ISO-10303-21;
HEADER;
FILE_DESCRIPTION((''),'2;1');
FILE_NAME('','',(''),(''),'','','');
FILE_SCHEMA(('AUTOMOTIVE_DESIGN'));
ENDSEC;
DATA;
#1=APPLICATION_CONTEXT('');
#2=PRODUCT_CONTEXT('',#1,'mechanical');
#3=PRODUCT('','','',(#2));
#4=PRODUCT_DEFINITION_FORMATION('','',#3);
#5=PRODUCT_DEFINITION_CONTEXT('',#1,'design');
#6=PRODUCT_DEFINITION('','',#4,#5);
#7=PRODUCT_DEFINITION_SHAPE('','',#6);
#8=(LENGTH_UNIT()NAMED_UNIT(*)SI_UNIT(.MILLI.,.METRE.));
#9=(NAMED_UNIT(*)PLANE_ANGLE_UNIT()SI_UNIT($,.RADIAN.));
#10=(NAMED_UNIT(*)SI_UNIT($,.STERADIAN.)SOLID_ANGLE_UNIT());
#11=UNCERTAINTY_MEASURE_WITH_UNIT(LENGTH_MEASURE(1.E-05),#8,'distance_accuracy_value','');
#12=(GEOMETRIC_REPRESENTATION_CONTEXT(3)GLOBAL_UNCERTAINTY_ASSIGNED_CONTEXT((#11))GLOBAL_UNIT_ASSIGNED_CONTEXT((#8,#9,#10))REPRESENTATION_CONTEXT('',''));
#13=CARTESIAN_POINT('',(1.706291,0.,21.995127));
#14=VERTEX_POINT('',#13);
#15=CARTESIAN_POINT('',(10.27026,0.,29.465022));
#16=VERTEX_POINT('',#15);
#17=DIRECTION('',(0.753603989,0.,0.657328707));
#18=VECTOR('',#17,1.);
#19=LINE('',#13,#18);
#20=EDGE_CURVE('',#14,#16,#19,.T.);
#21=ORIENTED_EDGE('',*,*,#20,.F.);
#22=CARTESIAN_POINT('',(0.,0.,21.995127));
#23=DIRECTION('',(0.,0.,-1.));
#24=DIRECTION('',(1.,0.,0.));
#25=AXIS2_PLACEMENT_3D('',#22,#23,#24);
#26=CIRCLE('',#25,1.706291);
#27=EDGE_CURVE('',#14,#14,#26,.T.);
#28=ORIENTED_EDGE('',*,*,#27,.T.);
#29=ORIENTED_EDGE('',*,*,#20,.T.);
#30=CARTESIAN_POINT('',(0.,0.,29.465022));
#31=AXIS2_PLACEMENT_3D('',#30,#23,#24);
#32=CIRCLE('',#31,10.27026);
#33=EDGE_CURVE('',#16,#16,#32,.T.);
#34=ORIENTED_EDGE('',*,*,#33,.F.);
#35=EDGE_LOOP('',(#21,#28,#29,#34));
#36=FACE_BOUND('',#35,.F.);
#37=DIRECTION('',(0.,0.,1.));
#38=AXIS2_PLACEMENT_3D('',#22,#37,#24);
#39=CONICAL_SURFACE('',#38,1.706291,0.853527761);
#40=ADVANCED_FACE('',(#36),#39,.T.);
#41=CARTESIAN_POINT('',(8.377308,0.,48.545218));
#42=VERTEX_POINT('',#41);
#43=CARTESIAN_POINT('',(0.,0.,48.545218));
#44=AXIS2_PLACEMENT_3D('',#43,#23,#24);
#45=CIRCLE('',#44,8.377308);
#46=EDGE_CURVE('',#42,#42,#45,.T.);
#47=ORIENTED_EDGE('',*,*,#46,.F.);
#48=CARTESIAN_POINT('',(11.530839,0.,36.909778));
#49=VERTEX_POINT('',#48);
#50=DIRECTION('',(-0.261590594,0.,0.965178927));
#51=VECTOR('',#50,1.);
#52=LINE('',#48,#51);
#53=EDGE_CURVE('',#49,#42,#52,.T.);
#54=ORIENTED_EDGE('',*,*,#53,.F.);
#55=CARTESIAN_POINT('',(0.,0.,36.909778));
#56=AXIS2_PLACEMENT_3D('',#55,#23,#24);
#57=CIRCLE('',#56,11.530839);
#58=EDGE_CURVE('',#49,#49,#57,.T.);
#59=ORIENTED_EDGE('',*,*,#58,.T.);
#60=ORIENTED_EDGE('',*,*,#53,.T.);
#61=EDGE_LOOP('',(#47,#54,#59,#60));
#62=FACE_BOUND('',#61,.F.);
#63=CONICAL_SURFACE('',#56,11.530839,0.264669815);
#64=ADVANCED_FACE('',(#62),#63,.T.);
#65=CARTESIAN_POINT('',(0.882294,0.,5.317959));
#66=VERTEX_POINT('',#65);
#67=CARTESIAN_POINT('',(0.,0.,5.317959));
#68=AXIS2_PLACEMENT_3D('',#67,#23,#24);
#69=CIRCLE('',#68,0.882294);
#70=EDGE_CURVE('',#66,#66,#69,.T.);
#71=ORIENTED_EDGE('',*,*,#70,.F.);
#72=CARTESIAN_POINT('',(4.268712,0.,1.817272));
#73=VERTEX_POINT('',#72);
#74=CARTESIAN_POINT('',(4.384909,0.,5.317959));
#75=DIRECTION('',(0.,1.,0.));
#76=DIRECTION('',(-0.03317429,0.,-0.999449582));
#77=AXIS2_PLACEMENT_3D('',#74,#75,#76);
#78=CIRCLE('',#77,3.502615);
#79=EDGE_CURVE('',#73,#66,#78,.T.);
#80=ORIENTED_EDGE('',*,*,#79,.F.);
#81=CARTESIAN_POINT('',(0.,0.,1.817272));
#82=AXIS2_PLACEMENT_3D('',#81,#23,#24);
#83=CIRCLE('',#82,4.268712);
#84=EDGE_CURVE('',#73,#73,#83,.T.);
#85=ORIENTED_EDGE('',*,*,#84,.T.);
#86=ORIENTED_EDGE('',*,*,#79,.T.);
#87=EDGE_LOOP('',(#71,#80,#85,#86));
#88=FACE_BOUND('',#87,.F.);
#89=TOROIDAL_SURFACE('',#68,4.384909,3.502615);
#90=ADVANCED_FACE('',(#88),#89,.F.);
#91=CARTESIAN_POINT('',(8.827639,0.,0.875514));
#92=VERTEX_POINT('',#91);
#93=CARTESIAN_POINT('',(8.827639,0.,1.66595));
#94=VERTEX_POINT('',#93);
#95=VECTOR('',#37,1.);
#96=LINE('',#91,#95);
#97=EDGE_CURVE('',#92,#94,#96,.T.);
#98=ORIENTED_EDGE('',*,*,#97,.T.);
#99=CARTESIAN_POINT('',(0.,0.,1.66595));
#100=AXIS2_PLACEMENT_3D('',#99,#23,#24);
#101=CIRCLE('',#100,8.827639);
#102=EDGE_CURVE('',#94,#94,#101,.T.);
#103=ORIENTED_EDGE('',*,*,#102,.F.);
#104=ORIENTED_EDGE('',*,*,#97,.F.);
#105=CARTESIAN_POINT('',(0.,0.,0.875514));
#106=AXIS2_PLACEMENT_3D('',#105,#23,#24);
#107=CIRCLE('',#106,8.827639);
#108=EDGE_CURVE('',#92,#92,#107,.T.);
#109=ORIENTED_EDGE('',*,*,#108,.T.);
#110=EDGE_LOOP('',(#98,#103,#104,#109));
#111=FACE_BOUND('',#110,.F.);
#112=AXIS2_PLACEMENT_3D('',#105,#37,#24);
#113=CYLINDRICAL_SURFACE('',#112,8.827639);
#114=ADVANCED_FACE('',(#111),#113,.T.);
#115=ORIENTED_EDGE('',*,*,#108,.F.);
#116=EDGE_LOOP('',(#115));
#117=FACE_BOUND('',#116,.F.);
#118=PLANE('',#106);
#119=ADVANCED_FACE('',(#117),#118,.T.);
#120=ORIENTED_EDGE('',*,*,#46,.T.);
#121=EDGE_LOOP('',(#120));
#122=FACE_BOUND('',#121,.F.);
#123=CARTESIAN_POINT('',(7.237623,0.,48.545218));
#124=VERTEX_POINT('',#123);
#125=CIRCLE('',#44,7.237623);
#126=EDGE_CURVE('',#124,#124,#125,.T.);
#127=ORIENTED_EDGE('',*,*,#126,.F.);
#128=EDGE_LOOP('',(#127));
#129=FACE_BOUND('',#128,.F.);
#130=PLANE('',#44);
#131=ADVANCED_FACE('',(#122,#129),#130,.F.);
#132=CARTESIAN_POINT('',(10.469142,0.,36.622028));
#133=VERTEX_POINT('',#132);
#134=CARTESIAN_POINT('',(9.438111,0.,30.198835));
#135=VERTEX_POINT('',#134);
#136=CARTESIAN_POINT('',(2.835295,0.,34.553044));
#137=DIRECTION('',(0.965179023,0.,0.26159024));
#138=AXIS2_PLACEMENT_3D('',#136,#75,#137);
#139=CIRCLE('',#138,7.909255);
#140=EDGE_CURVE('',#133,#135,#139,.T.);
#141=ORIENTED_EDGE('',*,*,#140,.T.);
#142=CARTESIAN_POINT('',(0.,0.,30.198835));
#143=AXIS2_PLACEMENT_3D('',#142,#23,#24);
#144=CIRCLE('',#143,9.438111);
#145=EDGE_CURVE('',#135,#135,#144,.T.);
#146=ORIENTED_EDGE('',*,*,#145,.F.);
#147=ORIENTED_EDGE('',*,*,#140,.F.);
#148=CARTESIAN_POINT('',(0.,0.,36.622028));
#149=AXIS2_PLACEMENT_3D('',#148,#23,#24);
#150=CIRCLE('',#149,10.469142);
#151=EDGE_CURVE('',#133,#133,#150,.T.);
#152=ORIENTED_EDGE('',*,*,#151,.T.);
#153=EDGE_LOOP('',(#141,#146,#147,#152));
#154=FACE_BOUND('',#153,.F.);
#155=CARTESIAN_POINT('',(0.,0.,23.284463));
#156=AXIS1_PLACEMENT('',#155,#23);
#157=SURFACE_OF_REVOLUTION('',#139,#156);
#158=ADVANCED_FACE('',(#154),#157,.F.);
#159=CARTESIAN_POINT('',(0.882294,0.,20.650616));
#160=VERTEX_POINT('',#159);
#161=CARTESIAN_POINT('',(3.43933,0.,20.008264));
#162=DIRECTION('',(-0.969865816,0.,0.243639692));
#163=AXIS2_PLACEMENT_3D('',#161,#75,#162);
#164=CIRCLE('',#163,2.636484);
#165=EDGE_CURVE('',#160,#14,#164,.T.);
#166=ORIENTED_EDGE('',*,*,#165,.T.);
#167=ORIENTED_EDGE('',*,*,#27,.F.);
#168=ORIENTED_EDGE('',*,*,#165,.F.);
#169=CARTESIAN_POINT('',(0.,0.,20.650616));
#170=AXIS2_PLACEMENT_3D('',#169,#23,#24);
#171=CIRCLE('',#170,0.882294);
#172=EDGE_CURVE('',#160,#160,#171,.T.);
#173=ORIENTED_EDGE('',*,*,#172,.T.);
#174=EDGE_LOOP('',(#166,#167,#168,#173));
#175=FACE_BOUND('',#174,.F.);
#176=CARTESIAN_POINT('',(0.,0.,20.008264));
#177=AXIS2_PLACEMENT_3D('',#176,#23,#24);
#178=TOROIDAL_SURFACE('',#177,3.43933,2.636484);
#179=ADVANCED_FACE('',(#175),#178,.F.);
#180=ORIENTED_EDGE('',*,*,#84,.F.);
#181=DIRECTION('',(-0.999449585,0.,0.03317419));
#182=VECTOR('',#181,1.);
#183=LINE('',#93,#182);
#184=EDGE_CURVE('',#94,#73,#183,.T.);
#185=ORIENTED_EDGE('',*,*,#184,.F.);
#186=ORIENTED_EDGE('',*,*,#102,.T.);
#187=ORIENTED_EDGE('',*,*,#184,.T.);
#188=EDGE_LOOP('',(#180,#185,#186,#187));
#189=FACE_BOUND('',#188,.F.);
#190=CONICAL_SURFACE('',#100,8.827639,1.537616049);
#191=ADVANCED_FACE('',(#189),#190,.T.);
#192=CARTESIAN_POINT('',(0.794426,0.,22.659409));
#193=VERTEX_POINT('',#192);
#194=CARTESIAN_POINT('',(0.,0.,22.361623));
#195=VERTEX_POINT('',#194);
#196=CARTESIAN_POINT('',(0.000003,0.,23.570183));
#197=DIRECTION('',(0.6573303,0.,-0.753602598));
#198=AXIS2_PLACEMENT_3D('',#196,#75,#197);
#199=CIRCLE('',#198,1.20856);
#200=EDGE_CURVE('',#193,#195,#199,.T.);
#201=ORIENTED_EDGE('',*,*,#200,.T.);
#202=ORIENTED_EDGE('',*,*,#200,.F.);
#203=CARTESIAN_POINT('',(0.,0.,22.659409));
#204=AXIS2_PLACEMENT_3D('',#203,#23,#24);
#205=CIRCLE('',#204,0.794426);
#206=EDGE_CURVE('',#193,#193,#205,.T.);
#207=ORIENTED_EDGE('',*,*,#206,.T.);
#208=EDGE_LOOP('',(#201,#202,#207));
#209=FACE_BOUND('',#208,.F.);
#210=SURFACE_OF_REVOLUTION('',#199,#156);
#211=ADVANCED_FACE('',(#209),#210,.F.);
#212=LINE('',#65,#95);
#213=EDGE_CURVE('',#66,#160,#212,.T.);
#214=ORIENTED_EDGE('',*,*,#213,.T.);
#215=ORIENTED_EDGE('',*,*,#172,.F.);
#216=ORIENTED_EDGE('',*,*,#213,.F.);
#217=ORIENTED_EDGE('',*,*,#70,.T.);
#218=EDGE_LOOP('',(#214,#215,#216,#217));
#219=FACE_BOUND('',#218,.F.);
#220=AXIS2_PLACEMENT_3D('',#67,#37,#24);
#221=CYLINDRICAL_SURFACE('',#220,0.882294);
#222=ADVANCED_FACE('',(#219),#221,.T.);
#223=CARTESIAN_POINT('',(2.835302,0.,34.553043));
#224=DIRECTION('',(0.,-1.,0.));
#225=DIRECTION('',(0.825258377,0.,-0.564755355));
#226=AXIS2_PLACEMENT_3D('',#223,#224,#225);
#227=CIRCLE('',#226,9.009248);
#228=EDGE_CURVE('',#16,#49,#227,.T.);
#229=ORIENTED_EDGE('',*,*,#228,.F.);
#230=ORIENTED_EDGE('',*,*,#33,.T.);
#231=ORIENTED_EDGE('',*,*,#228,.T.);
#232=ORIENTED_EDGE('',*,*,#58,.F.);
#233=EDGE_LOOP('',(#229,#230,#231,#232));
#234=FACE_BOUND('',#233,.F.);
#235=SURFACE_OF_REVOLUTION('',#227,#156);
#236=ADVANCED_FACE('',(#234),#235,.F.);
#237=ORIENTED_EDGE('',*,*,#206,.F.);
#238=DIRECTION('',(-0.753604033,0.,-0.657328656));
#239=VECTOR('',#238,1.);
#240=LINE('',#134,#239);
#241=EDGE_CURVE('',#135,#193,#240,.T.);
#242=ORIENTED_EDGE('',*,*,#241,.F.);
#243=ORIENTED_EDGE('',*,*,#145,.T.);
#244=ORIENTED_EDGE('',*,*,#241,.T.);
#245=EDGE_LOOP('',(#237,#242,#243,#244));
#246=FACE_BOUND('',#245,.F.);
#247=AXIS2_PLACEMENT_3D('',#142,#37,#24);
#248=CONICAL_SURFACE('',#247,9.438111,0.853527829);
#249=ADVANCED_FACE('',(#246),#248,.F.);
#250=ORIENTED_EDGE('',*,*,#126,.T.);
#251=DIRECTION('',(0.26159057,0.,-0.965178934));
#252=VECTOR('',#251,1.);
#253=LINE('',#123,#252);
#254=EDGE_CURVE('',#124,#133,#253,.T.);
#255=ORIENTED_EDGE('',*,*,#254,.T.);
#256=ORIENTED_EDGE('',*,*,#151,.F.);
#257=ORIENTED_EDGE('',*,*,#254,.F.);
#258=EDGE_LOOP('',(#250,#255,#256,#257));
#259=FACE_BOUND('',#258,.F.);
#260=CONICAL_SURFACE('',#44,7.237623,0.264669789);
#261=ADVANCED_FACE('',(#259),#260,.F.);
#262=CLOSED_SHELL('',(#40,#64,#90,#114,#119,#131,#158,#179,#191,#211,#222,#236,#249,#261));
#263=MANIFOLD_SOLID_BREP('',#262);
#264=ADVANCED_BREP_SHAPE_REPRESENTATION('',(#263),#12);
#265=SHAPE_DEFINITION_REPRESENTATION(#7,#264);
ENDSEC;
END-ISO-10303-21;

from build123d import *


with BuildPart() as f1:
    # F0 (on Front) → F1 (revolve)
    with BuildSketch(Plane.XZ):
        with BuildLine():
            Line((11.530839, 36.909778), (8.377308, 48.545218))
            Line((8.377308, 48.545218), (7.237623, 48.545218))
            Line((7.237623, 48.545218), (10.469142, 36.622028))
            ThreePointArc((10.469142, 36.622028), (10.644584, 33.299521), (9.438111, 30.198835))
            Line((9.438111, 30.198835), (0.794426, 22.659409))
            ThreePointArc((0.794426, 22.659409), (0.424202, 22.438515), (0, 22.361623))
            Line((0, 22.361623), (0, 0.875514))
            Line((0, 0.875514), (8.827639, 0.875514))
            Line((8.827639, 0.875514), (8.827639, 1.66595))
            Line((8.827639, 1.66595), (4.268712, 1.817272))
            ThreePointArc((4.268712, 1.817272), (1.867439, 2.882665), (0.882294, 5.317959))
            Line((0.882294, 5.317959), (0.882294, 20.650616))
            ThreePointArc((0.882294, 20.650616), (1.191417, 21.38592), (1.706291, 21.995127))
            Line((1.706291, 21.995127), (10.27026, 29.465022))
            ThreePointArc((10.27026, 29.465022), (11.718112, 33.048966), (11.530839, 36.909778))
        make_face()
    revolve(axis=Axis((0, 0, 23.284463), (0, 0, -1)))


solid = f1.part
